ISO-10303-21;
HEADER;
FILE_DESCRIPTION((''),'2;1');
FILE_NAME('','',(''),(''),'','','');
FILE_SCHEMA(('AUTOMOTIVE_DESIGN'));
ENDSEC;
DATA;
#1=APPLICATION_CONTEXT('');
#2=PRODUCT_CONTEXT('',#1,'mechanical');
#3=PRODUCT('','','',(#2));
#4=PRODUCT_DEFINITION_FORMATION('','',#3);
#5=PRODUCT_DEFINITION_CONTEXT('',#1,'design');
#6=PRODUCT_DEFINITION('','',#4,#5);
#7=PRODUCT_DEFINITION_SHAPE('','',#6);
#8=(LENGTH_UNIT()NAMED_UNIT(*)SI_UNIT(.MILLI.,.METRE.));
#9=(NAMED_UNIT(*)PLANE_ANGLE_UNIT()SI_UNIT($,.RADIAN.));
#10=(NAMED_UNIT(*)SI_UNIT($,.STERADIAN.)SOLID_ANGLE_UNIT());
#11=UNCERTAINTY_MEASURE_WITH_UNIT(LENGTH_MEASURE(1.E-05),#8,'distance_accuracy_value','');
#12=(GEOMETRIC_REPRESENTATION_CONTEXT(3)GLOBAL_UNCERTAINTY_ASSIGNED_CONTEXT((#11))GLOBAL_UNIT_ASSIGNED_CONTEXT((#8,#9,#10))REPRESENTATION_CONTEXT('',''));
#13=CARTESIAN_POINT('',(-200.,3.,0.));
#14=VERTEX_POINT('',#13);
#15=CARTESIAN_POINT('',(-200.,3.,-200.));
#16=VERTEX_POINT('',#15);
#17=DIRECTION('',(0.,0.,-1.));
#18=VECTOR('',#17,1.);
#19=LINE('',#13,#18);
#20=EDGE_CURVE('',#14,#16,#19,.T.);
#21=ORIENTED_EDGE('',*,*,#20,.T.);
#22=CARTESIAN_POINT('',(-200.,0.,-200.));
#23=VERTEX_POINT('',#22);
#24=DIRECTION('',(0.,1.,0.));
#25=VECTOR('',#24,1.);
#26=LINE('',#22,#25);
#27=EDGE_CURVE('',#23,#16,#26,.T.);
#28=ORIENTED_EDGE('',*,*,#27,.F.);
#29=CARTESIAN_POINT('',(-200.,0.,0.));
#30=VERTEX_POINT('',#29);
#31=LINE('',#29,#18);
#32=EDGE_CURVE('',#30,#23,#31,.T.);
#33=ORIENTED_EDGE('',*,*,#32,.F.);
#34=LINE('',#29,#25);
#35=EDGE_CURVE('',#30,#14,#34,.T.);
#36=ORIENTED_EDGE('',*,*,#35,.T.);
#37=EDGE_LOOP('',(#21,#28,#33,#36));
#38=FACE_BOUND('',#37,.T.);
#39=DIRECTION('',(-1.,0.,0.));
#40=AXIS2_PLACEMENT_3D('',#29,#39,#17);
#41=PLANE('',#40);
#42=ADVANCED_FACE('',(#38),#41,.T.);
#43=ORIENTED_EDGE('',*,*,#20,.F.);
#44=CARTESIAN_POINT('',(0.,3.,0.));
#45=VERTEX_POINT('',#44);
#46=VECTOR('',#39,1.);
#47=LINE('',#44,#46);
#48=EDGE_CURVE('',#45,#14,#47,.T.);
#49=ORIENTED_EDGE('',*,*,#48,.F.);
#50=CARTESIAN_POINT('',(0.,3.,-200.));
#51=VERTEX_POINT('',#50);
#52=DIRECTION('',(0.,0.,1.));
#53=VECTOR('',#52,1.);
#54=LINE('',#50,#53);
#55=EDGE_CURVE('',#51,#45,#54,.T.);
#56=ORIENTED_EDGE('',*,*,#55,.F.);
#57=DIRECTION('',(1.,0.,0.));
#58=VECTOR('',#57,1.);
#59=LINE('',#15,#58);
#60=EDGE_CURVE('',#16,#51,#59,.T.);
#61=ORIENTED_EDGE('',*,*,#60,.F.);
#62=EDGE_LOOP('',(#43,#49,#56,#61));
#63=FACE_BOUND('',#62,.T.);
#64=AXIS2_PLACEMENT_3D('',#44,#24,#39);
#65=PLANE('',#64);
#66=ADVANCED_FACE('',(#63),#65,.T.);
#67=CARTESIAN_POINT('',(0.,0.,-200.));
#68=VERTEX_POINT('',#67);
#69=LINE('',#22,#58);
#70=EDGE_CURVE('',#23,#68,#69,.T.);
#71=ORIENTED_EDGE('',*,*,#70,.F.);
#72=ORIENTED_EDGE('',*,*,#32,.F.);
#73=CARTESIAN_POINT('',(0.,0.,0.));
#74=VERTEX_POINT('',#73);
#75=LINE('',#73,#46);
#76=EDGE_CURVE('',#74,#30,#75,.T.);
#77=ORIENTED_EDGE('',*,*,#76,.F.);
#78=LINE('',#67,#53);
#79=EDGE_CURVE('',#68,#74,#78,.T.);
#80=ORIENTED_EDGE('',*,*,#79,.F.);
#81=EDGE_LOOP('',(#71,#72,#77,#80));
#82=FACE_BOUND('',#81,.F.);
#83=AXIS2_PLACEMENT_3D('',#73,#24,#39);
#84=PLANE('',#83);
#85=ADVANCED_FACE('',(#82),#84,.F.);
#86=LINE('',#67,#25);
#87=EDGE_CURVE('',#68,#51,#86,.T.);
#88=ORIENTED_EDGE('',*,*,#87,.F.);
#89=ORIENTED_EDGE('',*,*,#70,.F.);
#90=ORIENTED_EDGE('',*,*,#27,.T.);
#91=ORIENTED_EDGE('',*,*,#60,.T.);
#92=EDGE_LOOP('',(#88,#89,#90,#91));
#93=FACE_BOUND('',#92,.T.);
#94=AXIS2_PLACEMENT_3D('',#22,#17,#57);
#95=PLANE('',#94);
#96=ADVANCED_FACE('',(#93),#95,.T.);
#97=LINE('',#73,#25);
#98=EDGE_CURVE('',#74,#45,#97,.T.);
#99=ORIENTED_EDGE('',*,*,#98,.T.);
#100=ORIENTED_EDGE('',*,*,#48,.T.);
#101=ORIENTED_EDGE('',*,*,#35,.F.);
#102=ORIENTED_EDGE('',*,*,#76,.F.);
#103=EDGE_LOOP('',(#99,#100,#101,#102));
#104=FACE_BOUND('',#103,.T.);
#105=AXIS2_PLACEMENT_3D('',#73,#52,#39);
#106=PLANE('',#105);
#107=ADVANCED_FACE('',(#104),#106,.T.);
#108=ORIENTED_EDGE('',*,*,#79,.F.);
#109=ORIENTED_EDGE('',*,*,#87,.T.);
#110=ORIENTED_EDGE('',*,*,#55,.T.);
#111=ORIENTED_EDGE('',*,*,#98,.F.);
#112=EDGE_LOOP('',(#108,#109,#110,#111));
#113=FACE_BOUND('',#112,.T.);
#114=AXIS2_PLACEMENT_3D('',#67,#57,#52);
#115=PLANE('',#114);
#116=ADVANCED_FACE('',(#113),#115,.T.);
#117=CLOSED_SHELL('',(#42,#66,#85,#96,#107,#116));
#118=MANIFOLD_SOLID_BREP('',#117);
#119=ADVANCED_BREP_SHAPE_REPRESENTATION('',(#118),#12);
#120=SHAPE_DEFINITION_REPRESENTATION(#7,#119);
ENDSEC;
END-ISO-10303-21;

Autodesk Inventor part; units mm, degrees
ref_plane "YZ Plane" through (0, 0, 0) normal (1, 0, 0) x (0, 1, 0)
ref_plane "XZ Plane" through (0, 0, 0) normal (0, 1, 0) x (-1, 0, 0)
ref_plane "XY Plane" through (0, 0, 0) normal (0, 0, 1) x (1, 0, 0)
sketch "Sketch1" plane through (0, 0, 0) normal (0, 1, 0) x (-1, 0, 0)
  line L0 (0, 0) -> (200, 0)
  line L1 (200, 0) -> (200, -200)
  line L2 (200, -200) -> (0, -200)
  line L3 (0, -200) -> (0, 0)
  dimension "d0" = 200
  dimension "d1" = 200
extrude "Extrusion1" add sketch "Sketch1" along normal blind 3
properties part number "glass" material "Glass"
